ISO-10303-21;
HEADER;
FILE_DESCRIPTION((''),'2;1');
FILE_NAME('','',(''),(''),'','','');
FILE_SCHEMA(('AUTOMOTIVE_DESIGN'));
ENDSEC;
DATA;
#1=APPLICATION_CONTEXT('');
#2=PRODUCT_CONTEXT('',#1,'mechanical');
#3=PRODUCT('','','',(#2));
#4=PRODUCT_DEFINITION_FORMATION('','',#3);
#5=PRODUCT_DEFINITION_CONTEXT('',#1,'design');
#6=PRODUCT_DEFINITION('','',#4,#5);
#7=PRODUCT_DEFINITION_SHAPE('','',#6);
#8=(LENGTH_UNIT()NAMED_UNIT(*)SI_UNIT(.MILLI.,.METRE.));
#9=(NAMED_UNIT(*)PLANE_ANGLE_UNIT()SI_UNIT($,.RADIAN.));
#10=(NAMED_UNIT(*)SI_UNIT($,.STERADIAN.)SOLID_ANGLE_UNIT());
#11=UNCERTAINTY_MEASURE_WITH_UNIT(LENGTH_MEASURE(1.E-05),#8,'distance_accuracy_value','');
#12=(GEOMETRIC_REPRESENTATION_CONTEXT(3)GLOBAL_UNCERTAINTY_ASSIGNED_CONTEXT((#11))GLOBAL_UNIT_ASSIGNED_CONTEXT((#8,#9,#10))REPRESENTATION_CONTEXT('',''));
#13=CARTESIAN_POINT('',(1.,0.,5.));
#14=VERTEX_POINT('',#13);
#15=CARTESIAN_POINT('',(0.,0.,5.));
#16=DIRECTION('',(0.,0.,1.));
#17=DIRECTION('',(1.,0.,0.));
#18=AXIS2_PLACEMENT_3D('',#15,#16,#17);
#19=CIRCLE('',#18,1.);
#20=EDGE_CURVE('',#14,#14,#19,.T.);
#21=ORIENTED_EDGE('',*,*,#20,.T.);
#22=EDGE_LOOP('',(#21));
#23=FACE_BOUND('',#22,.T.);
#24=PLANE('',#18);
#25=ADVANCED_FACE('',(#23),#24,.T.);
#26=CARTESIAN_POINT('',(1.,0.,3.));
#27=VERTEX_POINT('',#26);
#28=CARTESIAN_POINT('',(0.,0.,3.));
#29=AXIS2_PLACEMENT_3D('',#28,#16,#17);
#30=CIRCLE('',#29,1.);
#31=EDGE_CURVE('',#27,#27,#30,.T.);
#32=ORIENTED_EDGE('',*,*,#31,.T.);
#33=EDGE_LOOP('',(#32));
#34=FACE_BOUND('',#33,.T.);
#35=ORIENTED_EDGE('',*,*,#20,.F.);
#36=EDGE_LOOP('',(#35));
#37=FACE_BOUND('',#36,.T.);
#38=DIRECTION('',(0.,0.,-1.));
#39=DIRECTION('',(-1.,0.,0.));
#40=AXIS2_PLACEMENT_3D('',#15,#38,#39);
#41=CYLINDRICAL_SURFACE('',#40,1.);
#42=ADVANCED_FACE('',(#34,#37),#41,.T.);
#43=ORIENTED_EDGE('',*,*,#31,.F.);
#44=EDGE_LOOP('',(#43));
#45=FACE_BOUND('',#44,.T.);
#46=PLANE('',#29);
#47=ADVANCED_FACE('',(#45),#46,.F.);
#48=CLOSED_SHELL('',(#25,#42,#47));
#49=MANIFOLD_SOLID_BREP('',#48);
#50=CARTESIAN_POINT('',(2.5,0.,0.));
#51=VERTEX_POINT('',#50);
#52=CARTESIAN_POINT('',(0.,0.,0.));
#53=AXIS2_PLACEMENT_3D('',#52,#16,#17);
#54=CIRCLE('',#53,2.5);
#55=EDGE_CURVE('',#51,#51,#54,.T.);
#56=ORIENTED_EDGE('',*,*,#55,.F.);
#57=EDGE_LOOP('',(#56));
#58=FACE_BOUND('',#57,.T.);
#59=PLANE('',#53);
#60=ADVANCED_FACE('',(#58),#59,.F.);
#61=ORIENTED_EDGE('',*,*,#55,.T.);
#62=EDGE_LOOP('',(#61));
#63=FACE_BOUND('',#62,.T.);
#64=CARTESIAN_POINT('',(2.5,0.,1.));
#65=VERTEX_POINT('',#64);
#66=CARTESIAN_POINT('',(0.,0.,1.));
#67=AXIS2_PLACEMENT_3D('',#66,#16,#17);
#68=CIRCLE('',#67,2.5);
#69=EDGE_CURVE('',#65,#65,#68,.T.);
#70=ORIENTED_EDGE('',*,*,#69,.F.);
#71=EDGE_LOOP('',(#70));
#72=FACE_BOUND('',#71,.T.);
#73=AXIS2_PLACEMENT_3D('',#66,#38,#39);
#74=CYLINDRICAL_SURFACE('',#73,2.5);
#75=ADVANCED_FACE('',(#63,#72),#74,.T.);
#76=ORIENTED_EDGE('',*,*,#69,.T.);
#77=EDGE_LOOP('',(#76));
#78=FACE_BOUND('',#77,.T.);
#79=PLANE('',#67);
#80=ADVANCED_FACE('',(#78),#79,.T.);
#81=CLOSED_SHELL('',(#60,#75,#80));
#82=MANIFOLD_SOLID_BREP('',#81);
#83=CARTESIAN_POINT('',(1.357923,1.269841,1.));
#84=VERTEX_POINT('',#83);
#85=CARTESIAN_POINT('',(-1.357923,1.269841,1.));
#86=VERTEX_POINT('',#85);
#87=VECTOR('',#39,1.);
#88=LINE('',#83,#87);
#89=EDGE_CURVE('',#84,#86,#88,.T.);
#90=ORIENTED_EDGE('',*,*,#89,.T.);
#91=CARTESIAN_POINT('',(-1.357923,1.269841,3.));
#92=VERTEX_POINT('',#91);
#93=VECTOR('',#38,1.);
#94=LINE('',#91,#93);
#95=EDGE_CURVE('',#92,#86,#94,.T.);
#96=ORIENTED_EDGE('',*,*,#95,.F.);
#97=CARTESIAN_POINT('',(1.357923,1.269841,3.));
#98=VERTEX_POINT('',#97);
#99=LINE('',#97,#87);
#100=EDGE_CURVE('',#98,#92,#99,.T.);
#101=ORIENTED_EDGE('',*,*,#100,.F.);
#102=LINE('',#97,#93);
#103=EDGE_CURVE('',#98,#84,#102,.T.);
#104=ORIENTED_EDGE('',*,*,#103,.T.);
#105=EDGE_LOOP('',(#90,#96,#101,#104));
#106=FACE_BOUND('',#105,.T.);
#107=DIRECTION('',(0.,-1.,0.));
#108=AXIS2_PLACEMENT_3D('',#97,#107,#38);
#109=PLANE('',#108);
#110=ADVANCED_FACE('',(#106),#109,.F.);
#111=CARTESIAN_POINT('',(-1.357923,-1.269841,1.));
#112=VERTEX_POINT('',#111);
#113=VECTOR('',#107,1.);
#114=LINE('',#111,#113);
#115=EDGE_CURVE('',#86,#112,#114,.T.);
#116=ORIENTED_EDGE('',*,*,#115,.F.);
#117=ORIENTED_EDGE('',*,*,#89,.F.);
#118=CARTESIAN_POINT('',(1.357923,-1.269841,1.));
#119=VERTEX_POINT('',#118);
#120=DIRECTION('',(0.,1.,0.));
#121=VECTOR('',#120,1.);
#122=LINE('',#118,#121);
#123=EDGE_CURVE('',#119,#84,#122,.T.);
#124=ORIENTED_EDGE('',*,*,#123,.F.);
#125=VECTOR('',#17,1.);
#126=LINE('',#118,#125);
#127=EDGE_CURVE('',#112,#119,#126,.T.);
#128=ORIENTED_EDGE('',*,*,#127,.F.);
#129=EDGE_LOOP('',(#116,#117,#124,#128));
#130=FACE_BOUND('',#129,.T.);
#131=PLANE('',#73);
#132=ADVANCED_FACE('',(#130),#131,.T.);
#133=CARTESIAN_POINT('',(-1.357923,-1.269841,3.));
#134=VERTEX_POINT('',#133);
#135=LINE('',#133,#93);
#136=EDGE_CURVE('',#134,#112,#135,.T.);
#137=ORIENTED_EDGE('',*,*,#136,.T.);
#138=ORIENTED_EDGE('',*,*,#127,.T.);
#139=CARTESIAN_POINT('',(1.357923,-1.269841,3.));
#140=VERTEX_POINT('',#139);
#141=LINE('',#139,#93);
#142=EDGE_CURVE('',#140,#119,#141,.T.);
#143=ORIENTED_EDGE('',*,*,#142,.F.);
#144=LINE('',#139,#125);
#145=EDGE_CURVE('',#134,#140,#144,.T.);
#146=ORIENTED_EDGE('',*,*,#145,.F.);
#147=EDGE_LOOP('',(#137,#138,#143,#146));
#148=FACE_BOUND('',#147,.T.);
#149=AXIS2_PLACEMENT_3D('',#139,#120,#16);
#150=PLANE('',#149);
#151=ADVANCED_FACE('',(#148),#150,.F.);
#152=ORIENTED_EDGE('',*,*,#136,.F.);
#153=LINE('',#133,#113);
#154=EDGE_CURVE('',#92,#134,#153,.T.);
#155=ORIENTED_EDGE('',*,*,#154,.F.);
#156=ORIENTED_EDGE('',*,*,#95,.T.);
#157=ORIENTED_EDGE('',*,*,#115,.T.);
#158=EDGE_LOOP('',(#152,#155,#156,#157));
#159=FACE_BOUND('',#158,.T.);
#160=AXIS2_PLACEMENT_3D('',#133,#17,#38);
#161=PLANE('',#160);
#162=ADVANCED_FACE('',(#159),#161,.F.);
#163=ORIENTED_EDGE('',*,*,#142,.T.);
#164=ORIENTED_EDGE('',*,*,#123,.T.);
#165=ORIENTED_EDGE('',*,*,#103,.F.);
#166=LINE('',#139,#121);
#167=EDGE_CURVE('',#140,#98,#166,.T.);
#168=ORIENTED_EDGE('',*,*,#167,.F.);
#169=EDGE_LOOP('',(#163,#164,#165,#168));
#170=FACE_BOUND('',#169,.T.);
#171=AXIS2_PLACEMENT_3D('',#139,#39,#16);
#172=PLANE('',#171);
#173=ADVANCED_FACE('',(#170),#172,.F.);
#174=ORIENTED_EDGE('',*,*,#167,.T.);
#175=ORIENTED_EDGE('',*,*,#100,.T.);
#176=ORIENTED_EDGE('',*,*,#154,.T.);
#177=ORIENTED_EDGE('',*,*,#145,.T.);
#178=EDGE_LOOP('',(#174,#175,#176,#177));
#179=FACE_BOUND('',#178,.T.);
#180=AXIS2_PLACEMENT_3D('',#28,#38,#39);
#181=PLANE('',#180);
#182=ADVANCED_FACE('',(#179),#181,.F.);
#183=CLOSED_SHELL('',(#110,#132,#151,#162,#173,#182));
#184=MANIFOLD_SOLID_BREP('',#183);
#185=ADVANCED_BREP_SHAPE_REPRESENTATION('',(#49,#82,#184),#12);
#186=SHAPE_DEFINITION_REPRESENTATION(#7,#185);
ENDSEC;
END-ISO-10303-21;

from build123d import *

# Parameters (mm, degrees)
ESQUISSE1_R        = 2.5
BOSS_EXTRU_1_DEPTH = 1
ESQUISSE2_W        = 2.7158457
ESQUISSE2_H        = 2.539681012
BOSS_EXTRU_2_DEPTH = 2
ESQUISSE3_R        = 1
BOSS_EXTRU_3_DEPTH = 2


with BuildPart() as part:
    # Esquisse1 → Boss.-Extru.1 (new body)
    with BuildSketch(Plane.XY):
        Circle(ESQUISSE1_R)
    extrude(amount=BOSS_EXTRU_1_DEPTH)


with BuildPart() as body_2:
    # Esquisse2 → Boss.-Extru.2 (new body)
    with BuildSketch(Plane.XY.offset(1)):
        Rectangle(ESQUISSE2_W, ESQUISSE2_H)
    extrude(amount=BOSS_EXTRU_2_DEPTH)


with BuildPart() as body_3:
    # Esquisse3 → Boss.-Extru.3 (new body)
    with BuildSketch(Plane.XY.offset(3)):
        Circle(ESQUISSE3_R)
    extrude(amount=BOSS_EXTRU_3_DEPTH)


solid = Compound([part.part, body_2.part, body_3.part])
